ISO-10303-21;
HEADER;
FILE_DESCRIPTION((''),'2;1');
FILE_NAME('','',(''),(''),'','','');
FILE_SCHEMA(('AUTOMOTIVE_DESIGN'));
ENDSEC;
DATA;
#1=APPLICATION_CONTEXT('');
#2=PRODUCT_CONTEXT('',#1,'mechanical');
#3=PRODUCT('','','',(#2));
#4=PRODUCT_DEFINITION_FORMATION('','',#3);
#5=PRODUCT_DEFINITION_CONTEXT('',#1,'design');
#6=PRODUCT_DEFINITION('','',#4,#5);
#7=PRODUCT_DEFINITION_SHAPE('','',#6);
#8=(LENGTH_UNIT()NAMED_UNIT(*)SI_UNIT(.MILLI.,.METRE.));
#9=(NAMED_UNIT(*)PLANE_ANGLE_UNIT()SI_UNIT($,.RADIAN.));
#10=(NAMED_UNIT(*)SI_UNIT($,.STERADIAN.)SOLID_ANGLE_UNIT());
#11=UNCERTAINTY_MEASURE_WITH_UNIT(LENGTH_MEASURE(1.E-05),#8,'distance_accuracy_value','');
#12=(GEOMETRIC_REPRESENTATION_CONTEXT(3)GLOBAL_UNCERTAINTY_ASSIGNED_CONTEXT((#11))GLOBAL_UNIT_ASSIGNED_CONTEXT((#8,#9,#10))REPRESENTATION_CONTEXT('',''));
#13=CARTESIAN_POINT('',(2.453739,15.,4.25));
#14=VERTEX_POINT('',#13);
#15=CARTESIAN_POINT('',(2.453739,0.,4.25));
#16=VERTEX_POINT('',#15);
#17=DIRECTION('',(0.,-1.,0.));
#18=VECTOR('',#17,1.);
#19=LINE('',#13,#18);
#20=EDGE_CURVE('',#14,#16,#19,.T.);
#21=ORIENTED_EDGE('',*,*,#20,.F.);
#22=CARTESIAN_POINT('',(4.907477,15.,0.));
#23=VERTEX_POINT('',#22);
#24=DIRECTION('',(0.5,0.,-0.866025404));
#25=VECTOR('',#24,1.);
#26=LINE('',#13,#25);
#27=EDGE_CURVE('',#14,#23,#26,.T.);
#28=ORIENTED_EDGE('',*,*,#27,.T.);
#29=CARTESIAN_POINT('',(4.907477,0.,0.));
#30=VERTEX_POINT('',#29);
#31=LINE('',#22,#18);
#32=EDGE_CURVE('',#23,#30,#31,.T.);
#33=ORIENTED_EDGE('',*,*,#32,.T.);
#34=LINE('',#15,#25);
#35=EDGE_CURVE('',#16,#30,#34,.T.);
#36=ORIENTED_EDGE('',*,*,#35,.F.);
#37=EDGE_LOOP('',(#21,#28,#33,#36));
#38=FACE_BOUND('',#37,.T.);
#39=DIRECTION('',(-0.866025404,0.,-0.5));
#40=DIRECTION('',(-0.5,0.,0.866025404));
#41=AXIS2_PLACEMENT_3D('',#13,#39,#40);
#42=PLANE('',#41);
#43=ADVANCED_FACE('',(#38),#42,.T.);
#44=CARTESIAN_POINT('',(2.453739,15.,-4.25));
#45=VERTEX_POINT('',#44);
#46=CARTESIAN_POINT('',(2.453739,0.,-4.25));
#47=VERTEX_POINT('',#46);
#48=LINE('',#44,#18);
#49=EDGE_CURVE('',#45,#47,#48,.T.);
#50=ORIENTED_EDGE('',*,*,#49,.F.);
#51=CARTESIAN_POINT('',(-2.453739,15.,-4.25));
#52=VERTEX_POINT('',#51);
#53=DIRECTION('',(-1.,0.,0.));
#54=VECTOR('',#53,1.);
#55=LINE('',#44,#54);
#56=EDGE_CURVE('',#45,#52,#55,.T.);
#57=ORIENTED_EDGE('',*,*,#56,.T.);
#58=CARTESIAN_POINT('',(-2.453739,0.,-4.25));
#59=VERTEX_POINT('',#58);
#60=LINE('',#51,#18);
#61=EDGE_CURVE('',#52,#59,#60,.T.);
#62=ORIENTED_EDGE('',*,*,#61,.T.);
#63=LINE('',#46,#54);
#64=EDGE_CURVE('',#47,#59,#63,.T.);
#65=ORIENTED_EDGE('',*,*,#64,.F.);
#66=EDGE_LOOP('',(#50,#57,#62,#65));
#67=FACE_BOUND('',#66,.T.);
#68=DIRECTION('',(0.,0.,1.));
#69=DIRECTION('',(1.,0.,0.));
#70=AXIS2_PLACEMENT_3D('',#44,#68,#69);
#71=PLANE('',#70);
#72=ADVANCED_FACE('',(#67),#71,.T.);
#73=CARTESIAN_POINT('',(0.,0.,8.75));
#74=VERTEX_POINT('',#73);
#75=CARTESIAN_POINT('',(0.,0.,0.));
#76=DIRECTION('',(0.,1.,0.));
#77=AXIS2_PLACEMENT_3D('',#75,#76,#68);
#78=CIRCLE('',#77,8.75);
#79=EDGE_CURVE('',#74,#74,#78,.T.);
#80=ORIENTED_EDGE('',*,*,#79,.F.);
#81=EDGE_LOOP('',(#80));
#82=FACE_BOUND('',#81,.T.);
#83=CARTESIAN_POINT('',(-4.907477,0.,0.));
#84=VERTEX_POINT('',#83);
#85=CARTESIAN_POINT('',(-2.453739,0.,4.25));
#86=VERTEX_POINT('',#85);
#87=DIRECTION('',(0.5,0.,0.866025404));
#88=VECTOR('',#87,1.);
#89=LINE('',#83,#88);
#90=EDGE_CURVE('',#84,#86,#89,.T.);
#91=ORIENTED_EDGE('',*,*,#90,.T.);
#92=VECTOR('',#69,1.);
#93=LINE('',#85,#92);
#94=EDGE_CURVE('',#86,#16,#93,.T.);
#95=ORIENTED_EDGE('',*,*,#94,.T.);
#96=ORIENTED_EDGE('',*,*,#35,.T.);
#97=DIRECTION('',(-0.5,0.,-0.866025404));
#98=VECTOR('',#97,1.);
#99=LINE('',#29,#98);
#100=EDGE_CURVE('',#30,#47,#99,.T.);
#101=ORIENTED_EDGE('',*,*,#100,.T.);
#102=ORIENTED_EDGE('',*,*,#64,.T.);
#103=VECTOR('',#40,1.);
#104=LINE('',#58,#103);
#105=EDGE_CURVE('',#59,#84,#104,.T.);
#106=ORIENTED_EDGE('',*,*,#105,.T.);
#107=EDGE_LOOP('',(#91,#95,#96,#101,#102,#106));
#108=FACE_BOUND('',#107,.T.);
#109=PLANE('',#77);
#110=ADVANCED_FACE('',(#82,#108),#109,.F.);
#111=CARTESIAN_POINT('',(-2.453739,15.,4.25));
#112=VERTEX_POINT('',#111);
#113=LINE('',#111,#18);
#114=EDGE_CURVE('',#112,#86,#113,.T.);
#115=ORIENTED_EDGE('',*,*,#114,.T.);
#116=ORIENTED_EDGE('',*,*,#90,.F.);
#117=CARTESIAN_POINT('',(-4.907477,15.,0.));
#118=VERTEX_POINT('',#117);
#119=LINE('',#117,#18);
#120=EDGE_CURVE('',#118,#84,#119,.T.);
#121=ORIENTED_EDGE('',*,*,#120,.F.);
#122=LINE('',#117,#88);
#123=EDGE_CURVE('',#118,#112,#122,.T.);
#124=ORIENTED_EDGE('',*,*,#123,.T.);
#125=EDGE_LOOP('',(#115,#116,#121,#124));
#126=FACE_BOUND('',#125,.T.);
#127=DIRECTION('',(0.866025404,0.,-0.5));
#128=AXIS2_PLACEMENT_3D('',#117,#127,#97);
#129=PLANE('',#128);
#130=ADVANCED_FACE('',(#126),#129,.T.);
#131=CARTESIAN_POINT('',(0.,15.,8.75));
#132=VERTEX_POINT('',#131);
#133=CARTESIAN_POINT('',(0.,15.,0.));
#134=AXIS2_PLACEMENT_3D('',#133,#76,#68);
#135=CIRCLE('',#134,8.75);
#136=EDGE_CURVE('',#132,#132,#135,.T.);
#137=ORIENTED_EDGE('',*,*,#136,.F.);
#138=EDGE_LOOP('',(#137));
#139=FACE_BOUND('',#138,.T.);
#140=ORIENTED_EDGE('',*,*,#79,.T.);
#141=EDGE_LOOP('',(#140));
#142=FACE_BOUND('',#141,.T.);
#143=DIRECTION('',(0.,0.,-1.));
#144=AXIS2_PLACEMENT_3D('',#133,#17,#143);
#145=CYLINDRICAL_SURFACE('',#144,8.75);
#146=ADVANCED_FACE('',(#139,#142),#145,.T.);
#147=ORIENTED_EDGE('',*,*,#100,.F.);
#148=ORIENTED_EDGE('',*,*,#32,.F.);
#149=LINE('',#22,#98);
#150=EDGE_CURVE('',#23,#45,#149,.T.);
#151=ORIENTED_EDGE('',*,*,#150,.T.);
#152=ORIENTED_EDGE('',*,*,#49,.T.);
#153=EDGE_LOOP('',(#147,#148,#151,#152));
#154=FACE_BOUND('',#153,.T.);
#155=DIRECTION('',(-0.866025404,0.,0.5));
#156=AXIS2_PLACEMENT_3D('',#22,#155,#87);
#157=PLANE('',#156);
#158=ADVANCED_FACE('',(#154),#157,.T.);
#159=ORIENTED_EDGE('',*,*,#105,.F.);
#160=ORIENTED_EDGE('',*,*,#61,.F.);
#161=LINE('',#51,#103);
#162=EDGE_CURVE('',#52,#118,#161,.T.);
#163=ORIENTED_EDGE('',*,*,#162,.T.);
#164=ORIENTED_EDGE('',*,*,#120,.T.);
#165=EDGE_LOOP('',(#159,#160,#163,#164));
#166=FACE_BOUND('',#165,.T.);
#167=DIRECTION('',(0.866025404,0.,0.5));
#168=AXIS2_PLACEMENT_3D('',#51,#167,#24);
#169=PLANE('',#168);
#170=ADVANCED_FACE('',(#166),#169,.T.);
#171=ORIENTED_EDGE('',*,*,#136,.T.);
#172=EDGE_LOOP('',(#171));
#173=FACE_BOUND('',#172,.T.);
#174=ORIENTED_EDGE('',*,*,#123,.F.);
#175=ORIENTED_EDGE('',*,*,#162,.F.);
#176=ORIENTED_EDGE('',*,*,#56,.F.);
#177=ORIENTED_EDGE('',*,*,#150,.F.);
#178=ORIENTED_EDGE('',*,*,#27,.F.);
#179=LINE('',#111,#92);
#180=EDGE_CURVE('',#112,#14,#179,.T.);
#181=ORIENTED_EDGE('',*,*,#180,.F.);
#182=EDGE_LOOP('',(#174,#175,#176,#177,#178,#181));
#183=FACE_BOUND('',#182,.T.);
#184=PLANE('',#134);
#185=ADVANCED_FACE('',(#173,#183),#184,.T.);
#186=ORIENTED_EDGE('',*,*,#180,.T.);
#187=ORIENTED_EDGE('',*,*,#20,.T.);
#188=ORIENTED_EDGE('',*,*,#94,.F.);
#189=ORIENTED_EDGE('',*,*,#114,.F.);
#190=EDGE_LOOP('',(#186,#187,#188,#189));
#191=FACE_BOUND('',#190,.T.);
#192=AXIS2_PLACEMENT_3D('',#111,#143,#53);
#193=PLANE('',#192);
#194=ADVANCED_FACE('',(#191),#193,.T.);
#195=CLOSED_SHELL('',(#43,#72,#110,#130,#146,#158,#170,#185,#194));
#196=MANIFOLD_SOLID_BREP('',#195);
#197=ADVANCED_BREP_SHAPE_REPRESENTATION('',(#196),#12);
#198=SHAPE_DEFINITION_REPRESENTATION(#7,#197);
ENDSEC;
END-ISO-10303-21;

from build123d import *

# Parameters (mm, degrees)
SKETCH1_R           = 8.75
BOSS_EXTRUDE1_DEPTH = 15


with BuildPart() as part:
    # Sketch1 → Boss-Extrude1 (new body)
    with BuildSketch(Plane(origin=(0, 0, 0), x_dir=(1, 0, 0), z_dir=(0, 1, 0))):
        Circle(SKETCH1_R)
        Polygon((4.907477288, 0), (2.453738644, 4.25), (-2.453738644, 4.25), (-4.907477288, 0), (-2.453738644, -4.25), (2.453738644, -4.25), align=None, mode=Mode.SUBTRACT)
    extrude(amount=BOSS_EXTRUDE1_DEPTH)


solid = part.part
